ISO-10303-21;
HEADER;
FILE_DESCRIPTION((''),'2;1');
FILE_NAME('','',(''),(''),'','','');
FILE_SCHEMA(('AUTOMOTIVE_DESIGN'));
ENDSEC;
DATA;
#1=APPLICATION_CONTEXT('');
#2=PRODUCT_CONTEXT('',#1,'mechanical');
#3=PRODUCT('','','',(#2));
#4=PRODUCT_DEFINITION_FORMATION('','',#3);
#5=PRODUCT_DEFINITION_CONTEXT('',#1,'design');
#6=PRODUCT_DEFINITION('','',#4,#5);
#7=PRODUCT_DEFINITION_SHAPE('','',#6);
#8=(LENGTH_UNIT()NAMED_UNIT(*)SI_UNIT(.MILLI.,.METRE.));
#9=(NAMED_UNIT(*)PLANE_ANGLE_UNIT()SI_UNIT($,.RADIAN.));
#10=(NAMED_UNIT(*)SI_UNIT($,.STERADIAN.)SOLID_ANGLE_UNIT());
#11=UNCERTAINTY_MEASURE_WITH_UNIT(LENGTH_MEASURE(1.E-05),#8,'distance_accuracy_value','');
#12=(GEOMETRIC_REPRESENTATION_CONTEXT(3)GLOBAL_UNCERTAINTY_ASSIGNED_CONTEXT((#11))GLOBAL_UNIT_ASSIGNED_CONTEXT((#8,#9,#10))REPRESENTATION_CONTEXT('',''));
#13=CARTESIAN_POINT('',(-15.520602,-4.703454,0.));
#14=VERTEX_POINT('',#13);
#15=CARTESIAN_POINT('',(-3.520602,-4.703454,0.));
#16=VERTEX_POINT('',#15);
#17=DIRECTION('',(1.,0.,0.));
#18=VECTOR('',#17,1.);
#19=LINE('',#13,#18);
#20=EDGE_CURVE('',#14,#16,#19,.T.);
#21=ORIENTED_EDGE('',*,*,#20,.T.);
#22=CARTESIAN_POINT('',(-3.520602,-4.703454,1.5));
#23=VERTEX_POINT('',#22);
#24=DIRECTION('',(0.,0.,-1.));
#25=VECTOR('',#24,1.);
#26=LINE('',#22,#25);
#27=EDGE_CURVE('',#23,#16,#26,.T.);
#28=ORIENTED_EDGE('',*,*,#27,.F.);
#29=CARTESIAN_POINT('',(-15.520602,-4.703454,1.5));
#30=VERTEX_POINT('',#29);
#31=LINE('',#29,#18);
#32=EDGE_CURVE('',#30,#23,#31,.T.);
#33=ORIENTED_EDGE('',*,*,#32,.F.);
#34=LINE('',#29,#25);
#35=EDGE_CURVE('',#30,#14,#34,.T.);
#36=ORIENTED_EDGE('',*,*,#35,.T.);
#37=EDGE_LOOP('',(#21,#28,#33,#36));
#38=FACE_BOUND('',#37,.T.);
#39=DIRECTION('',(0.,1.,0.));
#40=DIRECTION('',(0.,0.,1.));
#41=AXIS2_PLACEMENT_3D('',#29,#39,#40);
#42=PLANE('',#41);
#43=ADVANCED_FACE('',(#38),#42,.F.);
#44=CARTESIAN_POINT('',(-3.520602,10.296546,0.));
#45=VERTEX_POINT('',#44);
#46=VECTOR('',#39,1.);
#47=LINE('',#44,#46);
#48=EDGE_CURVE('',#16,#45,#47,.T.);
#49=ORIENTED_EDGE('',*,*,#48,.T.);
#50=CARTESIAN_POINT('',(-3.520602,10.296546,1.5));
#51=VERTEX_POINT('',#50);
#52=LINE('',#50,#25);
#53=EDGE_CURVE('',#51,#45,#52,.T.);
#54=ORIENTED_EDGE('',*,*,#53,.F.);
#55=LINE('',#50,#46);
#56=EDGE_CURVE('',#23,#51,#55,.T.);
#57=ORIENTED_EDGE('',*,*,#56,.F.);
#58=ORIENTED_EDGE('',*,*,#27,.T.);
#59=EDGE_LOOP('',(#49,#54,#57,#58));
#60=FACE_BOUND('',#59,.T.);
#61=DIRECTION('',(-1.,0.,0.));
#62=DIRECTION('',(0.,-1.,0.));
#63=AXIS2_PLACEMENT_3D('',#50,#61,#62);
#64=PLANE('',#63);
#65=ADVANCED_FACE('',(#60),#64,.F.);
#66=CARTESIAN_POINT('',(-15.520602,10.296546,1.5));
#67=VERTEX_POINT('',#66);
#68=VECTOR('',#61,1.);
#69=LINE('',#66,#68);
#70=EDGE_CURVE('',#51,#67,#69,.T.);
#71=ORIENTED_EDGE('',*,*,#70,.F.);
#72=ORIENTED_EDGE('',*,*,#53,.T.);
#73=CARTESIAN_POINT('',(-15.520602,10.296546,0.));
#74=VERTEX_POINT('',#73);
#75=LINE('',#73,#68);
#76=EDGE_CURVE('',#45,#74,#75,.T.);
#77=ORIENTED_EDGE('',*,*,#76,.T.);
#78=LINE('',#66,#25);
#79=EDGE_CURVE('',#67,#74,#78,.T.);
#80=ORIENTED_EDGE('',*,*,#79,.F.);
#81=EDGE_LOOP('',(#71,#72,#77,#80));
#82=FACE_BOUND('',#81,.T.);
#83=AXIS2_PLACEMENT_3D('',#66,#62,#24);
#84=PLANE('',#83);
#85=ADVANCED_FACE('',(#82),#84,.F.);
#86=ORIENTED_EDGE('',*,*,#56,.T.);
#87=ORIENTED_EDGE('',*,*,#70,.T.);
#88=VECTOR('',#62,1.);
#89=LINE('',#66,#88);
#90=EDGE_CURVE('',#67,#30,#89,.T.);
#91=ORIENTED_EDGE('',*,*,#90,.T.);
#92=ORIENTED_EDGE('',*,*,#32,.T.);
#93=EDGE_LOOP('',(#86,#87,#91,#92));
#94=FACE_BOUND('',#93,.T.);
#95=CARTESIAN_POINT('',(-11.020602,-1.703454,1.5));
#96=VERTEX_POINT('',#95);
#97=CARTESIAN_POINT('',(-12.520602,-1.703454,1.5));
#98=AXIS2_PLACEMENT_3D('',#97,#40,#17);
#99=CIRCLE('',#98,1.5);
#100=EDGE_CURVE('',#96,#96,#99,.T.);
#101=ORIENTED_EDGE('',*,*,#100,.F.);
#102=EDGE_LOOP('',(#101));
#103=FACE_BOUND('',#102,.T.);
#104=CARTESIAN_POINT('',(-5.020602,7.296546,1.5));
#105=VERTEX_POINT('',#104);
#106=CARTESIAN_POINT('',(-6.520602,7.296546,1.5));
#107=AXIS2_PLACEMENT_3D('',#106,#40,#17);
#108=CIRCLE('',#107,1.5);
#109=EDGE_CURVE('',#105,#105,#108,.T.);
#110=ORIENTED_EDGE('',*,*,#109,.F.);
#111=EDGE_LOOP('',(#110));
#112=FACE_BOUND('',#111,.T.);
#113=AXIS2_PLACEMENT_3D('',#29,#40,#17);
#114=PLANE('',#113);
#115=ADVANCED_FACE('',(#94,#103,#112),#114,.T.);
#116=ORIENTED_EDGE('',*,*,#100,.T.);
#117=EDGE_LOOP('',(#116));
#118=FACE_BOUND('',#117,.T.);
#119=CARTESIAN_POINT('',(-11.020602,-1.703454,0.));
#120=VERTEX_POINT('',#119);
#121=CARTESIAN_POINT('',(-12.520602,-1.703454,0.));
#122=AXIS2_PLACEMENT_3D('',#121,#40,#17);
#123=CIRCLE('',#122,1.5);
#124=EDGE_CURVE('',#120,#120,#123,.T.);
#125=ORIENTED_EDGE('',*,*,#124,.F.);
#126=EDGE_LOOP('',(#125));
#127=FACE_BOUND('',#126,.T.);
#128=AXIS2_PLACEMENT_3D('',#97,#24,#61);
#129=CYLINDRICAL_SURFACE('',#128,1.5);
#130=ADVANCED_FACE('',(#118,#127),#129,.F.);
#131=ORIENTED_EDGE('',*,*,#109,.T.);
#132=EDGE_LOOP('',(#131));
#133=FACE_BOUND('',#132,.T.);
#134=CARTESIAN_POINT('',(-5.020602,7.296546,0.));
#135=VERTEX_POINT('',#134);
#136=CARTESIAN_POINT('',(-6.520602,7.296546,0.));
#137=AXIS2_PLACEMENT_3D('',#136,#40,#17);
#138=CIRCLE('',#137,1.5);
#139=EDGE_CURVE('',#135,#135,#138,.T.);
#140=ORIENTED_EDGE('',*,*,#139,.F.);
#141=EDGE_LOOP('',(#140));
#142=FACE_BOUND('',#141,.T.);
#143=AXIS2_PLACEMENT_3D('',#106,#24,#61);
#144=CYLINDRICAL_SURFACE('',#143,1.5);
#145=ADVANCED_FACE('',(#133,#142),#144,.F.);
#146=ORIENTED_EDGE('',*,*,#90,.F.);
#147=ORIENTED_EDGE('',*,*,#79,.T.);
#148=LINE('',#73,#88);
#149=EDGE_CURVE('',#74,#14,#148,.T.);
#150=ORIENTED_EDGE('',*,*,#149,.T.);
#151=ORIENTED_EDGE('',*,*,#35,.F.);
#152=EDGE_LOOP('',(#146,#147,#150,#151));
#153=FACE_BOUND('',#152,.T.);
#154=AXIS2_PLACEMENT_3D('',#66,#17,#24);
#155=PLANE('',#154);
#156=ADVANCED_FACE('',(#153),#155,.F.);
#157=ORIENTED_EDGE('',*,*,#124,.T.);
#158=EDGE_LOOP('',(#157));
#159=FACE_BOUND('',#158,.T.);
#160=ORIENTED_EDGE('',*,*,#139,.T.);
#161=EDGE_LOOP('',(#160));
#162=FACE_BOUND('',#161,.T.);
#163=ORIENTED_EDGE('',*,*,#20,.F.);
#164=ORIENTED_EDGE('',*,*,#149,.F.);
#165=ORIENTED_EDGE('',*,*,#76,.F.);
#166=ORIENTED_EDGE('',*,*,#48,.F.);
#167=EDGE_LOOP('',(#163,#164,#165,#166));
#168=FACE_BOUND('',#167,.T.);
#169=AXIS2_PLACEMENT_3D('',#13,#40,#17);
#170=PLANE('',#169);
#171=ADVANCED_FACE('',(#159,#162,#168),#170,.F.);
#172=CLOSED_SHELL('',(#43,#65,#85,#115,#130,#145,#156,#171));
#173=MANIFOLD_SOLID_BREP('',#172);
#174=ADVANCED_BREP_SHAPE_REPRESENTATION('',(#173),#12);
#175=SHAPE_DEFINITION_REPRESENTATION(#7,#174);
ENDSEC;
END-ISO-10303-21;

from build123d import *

# Parameters (mm, degrees)
ESQUISSE1_W      = 12
ESQUISSE1_H      = 15
ESQUISSE1_R      = 1.5
EXTRUSION1_DEPTH = 1.5


with BuildPart() as part:
    # Esquisse1 → Extrusion1 (new body)
    with BuildSketch(Plane.XY):
        with Locations((-9.520602372, 2.796546227)):
            Rectangle(ESQUISSE1_W, ESQUISSE1_H)
        with Locations((-6.520602372, 7.296546227)):
            Circle(ESQUISSE1_R, mode=Mode.SUBTRACT)
        with Locations((-12.520602372, -1.703453773)):
            Circle(ESQUISSE1_R, mode=Mode.SUBTRACT)
    extrude(amount=EXTRUSION1_DEPTH)


solid = part.part
